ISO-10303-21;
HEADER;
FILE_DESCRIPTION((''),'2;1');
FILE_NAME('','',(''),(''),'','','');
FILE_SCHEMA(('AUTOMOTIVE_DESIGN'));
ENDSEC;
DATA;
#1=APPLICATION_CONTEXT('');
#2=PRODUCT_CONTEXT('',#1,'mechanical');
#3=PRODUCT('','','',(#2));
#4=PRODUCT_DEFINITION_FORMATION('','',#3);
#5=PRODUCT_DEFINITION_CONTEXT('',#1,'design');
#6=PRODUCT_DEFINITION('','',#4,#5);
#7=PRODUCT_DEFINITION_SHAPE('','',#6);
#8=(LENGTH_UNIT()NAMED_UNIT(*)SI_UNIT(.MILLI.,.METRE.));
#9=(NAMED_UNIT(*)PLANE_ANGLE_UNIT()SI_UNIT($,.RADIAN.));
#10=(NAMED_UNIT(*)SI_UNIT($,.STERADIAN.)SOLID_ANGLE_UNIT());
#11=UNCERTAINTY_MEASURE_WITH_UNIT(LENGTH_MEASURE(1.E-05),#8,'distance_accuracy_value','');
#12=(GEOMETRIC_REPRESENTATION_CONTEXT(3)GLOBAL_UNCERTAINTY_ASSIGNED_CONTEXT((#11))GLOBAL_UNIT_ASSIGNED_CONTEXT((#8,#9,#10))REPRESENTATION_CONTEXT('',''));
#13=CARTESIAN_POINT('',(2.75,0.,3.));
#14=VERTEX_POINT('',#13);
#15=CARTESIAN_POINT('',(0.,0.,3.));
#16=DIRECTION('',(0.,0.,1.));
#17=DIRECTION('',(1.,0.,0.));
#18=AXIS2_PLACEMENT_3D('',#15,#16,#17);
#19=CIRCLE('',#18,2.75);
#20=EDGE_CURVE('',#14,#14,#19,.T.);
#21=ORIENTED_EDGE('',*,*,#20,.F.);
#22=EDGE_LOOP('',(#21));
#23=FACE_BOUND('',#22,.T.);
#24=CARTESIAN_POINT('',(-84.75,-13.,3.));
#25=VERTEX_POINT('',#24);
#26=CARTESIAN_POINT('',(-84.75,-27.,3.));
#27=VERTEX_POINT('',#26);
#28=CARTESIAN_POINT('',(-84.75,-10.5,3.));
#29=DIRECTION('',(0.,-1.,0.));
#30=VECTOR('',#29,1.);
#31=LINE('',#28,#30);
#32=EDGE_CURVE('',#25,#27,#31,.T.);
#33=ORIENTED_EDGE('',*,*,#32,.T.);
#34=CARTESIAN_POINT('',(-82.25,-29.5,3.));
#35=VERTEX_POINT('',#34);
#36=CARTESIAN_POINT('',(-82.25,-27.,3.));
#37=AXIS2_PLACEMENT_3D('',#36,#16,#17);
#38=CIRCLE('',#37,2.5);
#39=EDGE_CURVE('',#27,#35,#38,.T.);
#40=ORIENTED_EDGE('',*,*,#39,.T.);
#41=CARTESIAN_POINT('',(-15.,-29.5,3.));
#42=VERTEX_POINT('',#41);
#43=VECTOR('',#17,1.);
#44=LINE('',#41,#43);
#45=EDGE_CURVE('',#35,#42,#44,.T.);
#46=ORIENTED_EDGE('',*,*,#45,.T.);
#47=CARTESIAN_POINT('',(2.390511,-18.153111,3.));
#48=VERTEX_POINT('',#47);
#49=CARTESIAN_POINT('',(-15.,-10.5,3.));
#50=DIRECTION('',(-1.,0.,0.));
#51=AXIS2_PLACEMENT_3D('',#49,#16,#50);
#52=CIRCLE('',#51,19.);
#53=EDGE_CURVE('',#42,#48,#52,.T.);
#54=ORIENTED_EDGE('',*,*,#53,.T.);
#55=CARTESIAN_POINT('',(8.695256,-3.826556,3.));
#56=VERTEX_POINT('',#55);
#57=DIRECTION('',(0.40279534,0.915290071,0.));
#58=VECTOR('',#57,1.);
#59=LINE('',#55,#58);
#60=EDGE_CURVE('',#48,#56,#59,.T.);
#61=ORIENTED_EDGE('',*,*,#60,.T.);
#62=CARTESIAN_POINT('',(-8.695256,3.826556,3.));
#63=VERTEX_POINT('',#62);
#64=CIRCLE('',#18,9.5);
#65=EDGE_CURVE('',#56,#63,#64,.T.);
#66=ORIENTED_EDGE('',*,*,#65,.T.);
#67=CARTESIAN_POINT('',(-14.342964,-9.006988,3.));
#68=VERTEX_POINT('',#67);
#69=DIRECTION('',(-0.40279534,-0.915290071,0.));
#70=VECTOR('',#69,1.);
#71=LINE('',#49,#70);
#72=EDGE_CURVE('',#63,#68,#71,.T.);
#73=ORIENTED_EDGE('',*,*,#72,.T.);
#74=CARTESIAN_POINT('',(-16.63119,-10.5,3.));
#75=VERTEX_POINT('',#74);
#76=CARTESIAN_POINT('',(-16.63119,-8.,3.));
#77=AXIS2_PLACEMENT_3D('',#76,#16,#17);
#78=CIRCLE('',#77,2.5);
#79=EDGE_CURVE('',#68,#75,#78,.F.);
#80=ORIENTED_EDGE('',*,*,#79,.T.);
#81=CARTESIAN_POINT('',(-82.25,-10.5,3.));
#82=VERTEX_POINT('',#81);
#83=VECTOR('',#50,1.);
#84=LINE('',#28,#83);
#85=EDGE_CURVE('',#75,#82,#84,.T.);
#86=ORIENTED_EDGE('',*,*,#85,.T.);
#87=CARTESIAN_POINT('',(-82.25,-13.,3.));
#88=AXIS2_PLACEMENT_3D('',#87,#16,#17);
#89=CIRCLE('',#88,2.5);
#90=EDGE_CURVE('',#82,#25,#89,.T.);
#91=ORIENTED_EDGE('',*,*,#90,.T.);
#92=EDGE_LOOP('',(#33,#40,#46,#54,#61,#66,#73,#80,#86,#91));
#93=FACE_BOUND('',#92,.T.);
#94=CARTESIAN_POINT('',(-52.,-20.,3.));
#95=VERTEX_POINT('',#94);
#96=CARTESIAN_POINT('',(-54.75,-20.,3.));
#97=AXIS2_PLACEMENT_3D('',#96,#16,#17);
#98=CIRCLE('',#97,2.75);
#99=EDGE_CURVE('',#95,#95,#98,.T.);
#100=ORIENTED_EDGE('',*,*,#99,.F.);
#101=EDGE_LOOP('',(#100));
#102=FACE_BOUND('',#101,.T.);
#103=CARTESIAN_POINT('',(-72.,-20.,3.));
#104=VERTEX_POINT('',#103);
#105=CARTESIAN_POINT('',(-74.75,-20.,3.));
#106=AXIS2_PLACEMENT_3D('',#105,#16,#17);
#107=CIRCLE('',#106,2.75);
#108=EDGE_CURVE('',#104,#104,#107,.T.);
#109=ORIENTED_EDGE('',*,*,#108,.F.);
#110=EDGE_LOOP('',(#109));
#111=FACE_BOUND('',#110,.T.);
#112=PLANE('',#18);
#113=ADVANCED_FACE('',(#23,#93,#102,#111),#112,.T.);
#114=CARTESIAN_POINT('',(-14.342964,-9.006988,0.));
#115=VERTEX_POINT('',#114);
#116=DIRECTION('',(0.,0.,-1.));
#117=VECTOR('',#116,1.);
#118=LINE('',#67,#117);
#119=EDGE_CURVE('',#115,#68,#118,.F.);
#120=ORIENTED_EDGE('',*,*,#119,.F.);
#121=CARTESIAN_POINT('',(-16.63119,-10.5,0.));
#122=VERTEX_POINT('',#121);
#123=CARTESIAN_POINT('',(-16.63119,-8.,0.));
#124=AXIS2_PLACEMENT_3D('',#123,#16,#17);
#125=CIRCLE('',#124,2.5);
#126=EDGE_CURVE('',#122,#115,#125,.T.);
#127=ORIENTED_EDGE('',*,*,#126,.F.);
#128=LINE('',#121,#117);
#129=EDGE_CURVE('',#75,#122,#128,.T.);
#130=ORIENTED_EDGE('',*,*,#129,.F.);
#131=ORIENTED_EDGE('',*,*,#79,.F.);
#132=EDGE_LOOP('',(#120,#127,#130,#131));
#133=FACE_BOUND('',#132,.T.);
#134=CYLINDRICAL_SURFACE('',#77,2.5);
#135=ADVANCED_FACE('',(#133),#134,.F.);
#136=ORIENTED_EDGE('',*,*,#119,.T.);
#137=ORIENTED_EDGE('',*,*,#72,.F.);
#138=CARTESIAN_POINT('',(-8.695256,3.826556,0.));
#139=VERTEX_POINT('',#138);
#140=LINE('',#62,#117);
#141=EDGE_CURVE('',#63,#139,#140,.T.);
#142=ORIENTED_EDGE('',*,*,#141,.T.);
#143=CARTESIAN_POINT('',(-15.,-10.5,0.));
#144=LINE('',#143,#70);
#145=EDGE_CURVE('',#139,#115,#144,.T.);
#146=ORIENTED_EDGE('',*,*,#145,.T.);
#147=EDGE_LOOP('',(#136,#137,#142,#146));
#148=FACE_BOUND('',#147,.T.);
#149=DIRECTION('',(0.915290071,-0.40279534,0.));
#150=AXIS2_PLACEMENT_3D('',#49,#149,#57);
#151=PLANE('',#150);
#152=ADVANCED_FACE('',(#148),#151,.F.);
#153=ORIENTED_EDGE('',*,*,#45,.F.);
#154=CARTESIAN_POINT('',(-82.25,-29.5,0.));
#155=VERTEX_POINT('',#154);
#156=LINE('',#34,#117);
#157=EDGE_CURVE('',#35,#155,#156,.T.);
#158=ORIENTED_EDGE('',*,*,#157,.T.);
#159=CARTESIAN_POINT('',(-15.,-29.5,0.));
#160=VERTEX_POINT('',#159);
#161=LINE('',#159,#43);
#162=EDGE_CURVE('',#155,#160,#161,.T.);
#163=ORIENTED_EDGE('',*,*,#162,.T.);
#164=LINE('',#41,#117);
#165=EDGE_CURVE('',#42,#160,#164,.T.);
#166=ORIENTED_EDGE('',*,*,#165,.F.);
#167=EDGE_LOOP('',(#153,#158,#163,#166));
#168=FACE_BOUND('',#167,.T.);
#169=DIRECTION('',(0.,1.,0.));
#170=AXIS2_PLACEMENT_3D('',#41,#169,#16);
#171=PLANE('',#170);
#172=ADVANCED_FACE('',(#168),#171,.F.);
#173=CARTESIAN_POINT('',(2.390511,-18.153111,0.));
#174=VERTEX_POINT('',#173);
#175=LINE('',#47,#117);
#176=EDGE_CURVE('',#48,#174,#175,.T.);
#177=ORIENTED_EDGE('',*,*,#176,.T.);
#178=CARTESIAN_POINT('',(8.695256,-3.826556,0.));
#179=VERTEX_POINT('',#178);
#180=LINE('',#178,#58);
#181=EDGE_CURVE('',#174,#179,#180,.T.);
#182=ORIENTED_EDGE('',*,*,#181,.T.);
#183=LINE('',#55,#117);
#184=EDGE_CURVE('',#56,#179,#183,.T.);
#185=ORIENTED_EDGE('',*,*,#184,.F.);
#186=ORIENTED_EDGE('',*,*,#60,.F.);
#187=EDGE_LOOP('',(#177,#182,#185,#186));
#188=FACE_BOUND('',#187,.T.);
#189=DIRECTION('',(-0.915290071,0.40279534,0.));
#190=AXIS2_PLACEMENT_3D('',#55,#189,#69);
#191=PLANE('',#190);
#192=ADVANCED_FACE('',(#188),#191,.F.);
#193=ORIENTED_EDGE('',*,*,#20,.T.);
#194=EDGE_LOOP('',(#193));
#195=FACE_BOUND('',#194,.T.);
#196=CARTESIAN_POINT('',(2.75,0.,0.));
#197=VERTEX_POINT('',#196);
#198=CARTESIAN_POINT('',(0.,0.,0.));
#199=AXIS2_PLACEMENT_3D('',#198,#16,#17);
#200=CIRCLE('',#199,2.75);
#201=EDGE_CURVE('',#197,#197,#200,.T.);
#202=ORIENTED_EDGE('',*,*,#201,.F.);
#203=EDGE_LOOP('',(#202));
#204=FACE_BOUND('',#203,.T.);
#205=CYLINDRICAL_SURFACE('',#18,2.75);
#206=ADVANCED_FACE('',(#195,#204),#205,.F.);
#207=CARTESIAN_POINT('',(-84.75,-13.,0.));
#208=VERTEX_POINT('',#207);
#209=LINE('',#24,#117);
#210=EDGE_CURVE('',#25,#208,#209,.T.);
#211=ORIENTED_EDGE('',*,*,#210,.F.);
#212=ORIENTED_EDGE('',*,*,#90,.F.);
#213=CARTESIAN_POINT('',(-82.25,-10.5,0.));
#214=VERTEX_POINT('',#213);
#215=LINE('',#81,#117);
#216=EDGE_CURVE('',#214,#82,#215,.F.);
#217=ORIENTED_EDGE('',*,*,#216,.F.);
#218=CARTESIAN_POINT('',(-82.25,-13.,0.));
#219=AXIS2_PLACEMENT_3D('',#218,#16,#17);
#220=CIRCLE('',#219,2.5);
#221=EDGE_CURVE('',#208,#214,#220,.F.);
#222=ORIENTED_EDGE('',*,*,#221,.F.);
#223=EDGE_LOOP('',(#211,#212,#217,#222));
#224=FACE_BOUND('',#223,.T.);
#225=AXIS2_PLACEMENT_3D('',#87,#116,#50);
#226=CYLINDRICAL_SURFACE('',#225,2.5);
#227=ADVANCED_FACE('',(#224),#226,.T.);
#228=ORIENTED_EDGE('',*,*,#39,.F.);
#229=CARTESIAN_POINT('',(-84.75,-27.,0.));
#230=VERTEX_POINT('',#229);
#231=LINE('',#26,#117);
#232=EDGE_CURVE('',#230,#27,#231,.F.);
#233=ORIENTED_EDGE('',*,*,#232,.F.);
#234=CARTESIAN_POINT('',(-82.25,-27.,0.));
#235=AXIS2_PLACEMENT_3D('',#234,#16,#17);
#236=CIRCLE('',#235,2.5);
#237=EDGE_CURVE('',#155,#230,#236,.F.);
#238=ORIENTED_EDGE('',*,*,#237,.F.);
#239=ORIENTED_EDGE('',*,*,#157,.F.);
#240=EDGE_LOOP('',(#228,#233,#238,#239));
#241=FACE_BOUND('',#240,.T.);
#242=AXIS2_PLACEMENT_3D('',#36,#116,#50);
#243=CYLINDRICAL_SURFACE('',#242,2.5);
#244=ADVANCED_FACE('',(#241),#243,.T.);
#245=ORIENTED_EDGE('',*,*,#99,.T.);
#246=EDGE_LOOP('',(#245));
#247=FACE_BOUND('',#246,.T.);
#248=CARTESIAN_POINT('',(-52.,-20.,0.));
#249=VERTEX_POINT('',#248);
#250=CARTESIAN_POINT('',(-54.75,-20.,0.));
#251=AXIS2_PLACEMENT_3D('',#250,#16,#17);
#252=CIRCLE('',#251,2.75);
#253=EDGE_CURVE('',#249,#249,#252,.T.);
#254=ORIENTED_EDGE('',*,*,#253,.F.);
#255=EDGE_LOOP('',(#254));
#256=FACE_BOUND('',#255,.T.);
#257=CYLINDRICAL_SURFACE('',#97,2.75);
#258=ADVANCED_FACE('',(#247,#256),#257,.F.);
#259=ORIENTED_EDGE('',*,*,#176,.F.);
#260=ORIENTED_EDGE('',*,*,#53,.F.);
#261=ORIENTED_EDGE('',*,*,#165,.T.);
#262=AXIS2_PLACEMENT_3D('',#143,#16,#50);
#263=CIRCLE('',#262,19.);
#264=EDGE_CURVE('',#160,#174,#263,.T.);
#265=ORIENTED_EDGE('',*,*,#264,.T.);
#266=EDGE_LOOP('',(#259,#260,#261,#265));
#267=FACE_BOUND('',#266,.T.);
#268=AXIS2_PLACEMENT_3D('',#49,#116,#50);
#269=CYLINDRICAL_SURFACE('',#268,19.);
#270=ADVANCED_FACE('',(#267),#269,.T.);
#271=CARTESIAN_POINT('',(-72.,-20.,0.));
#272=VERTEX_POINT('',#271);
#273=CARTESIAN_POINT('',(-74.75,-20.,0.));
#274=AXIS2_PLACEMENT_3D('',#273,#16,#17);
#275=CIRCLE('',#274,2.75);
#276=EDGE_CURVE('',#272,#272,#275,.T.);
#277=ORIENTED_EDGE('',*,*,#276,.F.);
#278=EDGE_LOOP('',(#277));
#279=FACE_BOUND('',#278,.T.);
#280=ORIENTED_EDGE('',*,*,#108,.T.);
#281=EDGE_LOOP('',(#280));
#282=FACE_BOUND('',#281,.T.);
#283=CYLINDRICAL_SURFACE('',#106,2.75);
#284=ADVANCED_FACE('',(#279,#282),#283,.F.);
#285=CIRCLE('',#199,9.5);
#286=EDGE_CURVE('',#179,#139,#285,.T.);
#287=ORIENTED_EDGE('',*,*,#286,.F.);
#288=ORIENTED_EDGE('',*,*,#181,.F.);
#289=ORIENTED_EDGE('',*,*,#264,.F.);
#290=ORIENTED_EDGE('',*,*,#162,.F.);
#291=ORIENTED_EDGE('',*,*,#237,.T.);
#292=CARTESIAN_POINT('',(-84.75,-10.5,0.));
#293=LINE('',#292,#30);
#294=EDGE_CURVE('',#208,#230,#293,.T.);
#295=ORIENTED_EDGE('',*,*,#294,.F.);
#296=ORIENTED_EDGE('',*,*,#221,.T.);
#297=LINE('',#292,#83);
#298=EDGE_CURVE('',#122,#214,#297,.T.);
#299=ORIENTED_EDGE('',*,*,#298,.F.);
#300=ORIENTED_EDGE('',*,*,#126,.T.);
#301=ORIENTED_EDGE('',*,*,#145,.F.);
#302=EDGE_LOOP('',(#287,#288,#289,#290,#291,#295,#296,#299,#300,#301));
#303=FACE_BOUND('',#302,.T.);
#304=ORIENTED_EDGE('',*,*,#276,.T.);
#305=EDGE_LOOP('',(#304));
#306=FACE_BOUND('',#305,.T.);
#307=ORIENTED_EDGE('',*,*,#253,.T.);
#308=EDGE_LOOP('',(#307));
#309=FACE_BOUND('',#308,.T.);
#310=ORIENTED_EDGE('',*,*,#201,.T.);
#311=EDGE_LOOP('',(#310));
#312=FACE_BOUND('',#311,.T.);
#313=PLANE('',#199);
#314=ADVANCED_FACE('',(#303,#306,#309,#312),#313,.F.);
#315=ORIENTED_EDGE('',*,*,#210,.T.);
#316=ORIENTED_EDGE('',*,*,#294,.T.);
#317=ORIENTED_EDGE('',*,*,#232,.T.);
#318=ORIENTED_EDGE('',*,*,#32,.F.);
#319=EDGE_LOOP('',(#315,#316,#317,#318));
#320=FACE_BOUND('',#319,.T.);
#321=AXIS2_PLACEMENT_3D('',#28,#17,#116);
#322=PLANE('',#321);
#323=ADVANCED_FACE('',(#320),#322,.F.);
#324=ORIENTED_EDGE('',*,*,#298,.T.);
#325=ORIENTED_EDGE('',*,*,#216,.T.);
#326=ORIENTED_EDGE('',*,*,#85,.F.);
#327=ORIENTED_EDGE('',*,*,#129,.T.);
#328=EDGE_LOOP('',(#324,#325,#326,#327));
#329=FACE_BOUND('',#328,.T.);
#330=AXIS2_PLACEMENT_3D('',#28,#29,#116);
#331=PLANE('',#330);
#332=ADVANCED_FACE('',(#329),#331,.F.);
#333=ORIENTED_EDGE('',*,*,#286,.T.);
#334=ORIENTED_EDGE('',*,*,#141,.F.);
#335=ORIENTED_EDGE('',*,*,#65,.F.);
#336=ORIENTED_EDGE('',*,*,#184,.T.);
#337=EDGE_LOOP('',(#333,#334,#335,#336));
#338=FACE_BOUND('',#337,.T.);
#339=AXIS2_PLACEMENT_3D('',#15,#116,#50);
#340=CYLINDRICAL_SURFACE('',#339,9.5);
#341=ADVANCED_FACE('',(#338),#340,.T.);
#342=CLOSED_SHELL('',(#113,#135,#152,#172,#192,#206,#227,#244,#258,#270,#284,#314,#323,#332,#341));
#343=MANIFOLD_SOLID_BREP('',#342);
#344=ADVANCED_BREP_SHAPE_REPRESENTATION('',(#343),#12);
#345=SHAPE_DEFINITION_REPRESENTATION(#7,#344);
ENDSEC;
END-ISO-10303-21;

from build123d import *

# Parameters (mm, degrees)
BOSS_EXTRUDE1_DEPTH  = 3
M5_CLEARANCE_HOLE1_D = 5.5
M5_CLEARANCE_HOLE2_D = 5.5
M5_CLEARANCE_HOLE3_D = 5.5
FILLET2_R            = 2.5


with BuildPart() as part:
    # Sketch1 → Boss-Extrude1 (new body)
    with BuildSketch(Plane.XY):
        with BuildLine():
            Line((8.695255676, -3.826555727), (2.390511351, -18.153111454))
            ThreePointArc((2.390511351, -18.153111454), (-4.61754166, -26.412402673), (-15, -29.5))
            Line((-15, -29.5), (-84.75, -29.5))
            Line((-84.75, -29.5), (-84.75, -10.5))
            Line((-84.75, -10.5), (-15, -10.5))
            Line((-15, -10.5), (-8.695255676, 3.826555727))
            ThreePointArc((-8.695255676, 3.826555727), (3.826555727, 8.695255676), (8.695255676, -3.826555727))
        make_face()
    extrude(amount=BOSS_EXTRUDE1_DEPTH)

    # M5 Clearance Hole1 (through all)
    with Locations(Plane.XY.offset(3)):
        with Locations((-74.75, -20)):
            Hole(M5_CLEARANCE_HOLE1_D / 2)

    # M5 Clearance Hole2 (through all)
    with Locations(Plane.XY.offset(3)):
        with Locations((-54.75, -20)):
            Hole(M5_CLEARANCE_HOLE2_D / 2)

    # M5 Clearance Hole3 (through all)
    with Locations(Plane.XY.offset(3)):
        with Locations((0, 0)):
            Hole(M5_CLEARANCE_HOLE3_D / 2)

    # Fillet2
    fillet2_edges = [part.edges().sort_by_distance(p)[0] for p in [
        (-84.75, -29.5, 1.5),
        (-84.75, -10.5, 1.5),
        (-15, -10.5, 1.5),
    ]]
    fillet(fillet2_edges, radius=FILLET2_R)


solid = part.part
